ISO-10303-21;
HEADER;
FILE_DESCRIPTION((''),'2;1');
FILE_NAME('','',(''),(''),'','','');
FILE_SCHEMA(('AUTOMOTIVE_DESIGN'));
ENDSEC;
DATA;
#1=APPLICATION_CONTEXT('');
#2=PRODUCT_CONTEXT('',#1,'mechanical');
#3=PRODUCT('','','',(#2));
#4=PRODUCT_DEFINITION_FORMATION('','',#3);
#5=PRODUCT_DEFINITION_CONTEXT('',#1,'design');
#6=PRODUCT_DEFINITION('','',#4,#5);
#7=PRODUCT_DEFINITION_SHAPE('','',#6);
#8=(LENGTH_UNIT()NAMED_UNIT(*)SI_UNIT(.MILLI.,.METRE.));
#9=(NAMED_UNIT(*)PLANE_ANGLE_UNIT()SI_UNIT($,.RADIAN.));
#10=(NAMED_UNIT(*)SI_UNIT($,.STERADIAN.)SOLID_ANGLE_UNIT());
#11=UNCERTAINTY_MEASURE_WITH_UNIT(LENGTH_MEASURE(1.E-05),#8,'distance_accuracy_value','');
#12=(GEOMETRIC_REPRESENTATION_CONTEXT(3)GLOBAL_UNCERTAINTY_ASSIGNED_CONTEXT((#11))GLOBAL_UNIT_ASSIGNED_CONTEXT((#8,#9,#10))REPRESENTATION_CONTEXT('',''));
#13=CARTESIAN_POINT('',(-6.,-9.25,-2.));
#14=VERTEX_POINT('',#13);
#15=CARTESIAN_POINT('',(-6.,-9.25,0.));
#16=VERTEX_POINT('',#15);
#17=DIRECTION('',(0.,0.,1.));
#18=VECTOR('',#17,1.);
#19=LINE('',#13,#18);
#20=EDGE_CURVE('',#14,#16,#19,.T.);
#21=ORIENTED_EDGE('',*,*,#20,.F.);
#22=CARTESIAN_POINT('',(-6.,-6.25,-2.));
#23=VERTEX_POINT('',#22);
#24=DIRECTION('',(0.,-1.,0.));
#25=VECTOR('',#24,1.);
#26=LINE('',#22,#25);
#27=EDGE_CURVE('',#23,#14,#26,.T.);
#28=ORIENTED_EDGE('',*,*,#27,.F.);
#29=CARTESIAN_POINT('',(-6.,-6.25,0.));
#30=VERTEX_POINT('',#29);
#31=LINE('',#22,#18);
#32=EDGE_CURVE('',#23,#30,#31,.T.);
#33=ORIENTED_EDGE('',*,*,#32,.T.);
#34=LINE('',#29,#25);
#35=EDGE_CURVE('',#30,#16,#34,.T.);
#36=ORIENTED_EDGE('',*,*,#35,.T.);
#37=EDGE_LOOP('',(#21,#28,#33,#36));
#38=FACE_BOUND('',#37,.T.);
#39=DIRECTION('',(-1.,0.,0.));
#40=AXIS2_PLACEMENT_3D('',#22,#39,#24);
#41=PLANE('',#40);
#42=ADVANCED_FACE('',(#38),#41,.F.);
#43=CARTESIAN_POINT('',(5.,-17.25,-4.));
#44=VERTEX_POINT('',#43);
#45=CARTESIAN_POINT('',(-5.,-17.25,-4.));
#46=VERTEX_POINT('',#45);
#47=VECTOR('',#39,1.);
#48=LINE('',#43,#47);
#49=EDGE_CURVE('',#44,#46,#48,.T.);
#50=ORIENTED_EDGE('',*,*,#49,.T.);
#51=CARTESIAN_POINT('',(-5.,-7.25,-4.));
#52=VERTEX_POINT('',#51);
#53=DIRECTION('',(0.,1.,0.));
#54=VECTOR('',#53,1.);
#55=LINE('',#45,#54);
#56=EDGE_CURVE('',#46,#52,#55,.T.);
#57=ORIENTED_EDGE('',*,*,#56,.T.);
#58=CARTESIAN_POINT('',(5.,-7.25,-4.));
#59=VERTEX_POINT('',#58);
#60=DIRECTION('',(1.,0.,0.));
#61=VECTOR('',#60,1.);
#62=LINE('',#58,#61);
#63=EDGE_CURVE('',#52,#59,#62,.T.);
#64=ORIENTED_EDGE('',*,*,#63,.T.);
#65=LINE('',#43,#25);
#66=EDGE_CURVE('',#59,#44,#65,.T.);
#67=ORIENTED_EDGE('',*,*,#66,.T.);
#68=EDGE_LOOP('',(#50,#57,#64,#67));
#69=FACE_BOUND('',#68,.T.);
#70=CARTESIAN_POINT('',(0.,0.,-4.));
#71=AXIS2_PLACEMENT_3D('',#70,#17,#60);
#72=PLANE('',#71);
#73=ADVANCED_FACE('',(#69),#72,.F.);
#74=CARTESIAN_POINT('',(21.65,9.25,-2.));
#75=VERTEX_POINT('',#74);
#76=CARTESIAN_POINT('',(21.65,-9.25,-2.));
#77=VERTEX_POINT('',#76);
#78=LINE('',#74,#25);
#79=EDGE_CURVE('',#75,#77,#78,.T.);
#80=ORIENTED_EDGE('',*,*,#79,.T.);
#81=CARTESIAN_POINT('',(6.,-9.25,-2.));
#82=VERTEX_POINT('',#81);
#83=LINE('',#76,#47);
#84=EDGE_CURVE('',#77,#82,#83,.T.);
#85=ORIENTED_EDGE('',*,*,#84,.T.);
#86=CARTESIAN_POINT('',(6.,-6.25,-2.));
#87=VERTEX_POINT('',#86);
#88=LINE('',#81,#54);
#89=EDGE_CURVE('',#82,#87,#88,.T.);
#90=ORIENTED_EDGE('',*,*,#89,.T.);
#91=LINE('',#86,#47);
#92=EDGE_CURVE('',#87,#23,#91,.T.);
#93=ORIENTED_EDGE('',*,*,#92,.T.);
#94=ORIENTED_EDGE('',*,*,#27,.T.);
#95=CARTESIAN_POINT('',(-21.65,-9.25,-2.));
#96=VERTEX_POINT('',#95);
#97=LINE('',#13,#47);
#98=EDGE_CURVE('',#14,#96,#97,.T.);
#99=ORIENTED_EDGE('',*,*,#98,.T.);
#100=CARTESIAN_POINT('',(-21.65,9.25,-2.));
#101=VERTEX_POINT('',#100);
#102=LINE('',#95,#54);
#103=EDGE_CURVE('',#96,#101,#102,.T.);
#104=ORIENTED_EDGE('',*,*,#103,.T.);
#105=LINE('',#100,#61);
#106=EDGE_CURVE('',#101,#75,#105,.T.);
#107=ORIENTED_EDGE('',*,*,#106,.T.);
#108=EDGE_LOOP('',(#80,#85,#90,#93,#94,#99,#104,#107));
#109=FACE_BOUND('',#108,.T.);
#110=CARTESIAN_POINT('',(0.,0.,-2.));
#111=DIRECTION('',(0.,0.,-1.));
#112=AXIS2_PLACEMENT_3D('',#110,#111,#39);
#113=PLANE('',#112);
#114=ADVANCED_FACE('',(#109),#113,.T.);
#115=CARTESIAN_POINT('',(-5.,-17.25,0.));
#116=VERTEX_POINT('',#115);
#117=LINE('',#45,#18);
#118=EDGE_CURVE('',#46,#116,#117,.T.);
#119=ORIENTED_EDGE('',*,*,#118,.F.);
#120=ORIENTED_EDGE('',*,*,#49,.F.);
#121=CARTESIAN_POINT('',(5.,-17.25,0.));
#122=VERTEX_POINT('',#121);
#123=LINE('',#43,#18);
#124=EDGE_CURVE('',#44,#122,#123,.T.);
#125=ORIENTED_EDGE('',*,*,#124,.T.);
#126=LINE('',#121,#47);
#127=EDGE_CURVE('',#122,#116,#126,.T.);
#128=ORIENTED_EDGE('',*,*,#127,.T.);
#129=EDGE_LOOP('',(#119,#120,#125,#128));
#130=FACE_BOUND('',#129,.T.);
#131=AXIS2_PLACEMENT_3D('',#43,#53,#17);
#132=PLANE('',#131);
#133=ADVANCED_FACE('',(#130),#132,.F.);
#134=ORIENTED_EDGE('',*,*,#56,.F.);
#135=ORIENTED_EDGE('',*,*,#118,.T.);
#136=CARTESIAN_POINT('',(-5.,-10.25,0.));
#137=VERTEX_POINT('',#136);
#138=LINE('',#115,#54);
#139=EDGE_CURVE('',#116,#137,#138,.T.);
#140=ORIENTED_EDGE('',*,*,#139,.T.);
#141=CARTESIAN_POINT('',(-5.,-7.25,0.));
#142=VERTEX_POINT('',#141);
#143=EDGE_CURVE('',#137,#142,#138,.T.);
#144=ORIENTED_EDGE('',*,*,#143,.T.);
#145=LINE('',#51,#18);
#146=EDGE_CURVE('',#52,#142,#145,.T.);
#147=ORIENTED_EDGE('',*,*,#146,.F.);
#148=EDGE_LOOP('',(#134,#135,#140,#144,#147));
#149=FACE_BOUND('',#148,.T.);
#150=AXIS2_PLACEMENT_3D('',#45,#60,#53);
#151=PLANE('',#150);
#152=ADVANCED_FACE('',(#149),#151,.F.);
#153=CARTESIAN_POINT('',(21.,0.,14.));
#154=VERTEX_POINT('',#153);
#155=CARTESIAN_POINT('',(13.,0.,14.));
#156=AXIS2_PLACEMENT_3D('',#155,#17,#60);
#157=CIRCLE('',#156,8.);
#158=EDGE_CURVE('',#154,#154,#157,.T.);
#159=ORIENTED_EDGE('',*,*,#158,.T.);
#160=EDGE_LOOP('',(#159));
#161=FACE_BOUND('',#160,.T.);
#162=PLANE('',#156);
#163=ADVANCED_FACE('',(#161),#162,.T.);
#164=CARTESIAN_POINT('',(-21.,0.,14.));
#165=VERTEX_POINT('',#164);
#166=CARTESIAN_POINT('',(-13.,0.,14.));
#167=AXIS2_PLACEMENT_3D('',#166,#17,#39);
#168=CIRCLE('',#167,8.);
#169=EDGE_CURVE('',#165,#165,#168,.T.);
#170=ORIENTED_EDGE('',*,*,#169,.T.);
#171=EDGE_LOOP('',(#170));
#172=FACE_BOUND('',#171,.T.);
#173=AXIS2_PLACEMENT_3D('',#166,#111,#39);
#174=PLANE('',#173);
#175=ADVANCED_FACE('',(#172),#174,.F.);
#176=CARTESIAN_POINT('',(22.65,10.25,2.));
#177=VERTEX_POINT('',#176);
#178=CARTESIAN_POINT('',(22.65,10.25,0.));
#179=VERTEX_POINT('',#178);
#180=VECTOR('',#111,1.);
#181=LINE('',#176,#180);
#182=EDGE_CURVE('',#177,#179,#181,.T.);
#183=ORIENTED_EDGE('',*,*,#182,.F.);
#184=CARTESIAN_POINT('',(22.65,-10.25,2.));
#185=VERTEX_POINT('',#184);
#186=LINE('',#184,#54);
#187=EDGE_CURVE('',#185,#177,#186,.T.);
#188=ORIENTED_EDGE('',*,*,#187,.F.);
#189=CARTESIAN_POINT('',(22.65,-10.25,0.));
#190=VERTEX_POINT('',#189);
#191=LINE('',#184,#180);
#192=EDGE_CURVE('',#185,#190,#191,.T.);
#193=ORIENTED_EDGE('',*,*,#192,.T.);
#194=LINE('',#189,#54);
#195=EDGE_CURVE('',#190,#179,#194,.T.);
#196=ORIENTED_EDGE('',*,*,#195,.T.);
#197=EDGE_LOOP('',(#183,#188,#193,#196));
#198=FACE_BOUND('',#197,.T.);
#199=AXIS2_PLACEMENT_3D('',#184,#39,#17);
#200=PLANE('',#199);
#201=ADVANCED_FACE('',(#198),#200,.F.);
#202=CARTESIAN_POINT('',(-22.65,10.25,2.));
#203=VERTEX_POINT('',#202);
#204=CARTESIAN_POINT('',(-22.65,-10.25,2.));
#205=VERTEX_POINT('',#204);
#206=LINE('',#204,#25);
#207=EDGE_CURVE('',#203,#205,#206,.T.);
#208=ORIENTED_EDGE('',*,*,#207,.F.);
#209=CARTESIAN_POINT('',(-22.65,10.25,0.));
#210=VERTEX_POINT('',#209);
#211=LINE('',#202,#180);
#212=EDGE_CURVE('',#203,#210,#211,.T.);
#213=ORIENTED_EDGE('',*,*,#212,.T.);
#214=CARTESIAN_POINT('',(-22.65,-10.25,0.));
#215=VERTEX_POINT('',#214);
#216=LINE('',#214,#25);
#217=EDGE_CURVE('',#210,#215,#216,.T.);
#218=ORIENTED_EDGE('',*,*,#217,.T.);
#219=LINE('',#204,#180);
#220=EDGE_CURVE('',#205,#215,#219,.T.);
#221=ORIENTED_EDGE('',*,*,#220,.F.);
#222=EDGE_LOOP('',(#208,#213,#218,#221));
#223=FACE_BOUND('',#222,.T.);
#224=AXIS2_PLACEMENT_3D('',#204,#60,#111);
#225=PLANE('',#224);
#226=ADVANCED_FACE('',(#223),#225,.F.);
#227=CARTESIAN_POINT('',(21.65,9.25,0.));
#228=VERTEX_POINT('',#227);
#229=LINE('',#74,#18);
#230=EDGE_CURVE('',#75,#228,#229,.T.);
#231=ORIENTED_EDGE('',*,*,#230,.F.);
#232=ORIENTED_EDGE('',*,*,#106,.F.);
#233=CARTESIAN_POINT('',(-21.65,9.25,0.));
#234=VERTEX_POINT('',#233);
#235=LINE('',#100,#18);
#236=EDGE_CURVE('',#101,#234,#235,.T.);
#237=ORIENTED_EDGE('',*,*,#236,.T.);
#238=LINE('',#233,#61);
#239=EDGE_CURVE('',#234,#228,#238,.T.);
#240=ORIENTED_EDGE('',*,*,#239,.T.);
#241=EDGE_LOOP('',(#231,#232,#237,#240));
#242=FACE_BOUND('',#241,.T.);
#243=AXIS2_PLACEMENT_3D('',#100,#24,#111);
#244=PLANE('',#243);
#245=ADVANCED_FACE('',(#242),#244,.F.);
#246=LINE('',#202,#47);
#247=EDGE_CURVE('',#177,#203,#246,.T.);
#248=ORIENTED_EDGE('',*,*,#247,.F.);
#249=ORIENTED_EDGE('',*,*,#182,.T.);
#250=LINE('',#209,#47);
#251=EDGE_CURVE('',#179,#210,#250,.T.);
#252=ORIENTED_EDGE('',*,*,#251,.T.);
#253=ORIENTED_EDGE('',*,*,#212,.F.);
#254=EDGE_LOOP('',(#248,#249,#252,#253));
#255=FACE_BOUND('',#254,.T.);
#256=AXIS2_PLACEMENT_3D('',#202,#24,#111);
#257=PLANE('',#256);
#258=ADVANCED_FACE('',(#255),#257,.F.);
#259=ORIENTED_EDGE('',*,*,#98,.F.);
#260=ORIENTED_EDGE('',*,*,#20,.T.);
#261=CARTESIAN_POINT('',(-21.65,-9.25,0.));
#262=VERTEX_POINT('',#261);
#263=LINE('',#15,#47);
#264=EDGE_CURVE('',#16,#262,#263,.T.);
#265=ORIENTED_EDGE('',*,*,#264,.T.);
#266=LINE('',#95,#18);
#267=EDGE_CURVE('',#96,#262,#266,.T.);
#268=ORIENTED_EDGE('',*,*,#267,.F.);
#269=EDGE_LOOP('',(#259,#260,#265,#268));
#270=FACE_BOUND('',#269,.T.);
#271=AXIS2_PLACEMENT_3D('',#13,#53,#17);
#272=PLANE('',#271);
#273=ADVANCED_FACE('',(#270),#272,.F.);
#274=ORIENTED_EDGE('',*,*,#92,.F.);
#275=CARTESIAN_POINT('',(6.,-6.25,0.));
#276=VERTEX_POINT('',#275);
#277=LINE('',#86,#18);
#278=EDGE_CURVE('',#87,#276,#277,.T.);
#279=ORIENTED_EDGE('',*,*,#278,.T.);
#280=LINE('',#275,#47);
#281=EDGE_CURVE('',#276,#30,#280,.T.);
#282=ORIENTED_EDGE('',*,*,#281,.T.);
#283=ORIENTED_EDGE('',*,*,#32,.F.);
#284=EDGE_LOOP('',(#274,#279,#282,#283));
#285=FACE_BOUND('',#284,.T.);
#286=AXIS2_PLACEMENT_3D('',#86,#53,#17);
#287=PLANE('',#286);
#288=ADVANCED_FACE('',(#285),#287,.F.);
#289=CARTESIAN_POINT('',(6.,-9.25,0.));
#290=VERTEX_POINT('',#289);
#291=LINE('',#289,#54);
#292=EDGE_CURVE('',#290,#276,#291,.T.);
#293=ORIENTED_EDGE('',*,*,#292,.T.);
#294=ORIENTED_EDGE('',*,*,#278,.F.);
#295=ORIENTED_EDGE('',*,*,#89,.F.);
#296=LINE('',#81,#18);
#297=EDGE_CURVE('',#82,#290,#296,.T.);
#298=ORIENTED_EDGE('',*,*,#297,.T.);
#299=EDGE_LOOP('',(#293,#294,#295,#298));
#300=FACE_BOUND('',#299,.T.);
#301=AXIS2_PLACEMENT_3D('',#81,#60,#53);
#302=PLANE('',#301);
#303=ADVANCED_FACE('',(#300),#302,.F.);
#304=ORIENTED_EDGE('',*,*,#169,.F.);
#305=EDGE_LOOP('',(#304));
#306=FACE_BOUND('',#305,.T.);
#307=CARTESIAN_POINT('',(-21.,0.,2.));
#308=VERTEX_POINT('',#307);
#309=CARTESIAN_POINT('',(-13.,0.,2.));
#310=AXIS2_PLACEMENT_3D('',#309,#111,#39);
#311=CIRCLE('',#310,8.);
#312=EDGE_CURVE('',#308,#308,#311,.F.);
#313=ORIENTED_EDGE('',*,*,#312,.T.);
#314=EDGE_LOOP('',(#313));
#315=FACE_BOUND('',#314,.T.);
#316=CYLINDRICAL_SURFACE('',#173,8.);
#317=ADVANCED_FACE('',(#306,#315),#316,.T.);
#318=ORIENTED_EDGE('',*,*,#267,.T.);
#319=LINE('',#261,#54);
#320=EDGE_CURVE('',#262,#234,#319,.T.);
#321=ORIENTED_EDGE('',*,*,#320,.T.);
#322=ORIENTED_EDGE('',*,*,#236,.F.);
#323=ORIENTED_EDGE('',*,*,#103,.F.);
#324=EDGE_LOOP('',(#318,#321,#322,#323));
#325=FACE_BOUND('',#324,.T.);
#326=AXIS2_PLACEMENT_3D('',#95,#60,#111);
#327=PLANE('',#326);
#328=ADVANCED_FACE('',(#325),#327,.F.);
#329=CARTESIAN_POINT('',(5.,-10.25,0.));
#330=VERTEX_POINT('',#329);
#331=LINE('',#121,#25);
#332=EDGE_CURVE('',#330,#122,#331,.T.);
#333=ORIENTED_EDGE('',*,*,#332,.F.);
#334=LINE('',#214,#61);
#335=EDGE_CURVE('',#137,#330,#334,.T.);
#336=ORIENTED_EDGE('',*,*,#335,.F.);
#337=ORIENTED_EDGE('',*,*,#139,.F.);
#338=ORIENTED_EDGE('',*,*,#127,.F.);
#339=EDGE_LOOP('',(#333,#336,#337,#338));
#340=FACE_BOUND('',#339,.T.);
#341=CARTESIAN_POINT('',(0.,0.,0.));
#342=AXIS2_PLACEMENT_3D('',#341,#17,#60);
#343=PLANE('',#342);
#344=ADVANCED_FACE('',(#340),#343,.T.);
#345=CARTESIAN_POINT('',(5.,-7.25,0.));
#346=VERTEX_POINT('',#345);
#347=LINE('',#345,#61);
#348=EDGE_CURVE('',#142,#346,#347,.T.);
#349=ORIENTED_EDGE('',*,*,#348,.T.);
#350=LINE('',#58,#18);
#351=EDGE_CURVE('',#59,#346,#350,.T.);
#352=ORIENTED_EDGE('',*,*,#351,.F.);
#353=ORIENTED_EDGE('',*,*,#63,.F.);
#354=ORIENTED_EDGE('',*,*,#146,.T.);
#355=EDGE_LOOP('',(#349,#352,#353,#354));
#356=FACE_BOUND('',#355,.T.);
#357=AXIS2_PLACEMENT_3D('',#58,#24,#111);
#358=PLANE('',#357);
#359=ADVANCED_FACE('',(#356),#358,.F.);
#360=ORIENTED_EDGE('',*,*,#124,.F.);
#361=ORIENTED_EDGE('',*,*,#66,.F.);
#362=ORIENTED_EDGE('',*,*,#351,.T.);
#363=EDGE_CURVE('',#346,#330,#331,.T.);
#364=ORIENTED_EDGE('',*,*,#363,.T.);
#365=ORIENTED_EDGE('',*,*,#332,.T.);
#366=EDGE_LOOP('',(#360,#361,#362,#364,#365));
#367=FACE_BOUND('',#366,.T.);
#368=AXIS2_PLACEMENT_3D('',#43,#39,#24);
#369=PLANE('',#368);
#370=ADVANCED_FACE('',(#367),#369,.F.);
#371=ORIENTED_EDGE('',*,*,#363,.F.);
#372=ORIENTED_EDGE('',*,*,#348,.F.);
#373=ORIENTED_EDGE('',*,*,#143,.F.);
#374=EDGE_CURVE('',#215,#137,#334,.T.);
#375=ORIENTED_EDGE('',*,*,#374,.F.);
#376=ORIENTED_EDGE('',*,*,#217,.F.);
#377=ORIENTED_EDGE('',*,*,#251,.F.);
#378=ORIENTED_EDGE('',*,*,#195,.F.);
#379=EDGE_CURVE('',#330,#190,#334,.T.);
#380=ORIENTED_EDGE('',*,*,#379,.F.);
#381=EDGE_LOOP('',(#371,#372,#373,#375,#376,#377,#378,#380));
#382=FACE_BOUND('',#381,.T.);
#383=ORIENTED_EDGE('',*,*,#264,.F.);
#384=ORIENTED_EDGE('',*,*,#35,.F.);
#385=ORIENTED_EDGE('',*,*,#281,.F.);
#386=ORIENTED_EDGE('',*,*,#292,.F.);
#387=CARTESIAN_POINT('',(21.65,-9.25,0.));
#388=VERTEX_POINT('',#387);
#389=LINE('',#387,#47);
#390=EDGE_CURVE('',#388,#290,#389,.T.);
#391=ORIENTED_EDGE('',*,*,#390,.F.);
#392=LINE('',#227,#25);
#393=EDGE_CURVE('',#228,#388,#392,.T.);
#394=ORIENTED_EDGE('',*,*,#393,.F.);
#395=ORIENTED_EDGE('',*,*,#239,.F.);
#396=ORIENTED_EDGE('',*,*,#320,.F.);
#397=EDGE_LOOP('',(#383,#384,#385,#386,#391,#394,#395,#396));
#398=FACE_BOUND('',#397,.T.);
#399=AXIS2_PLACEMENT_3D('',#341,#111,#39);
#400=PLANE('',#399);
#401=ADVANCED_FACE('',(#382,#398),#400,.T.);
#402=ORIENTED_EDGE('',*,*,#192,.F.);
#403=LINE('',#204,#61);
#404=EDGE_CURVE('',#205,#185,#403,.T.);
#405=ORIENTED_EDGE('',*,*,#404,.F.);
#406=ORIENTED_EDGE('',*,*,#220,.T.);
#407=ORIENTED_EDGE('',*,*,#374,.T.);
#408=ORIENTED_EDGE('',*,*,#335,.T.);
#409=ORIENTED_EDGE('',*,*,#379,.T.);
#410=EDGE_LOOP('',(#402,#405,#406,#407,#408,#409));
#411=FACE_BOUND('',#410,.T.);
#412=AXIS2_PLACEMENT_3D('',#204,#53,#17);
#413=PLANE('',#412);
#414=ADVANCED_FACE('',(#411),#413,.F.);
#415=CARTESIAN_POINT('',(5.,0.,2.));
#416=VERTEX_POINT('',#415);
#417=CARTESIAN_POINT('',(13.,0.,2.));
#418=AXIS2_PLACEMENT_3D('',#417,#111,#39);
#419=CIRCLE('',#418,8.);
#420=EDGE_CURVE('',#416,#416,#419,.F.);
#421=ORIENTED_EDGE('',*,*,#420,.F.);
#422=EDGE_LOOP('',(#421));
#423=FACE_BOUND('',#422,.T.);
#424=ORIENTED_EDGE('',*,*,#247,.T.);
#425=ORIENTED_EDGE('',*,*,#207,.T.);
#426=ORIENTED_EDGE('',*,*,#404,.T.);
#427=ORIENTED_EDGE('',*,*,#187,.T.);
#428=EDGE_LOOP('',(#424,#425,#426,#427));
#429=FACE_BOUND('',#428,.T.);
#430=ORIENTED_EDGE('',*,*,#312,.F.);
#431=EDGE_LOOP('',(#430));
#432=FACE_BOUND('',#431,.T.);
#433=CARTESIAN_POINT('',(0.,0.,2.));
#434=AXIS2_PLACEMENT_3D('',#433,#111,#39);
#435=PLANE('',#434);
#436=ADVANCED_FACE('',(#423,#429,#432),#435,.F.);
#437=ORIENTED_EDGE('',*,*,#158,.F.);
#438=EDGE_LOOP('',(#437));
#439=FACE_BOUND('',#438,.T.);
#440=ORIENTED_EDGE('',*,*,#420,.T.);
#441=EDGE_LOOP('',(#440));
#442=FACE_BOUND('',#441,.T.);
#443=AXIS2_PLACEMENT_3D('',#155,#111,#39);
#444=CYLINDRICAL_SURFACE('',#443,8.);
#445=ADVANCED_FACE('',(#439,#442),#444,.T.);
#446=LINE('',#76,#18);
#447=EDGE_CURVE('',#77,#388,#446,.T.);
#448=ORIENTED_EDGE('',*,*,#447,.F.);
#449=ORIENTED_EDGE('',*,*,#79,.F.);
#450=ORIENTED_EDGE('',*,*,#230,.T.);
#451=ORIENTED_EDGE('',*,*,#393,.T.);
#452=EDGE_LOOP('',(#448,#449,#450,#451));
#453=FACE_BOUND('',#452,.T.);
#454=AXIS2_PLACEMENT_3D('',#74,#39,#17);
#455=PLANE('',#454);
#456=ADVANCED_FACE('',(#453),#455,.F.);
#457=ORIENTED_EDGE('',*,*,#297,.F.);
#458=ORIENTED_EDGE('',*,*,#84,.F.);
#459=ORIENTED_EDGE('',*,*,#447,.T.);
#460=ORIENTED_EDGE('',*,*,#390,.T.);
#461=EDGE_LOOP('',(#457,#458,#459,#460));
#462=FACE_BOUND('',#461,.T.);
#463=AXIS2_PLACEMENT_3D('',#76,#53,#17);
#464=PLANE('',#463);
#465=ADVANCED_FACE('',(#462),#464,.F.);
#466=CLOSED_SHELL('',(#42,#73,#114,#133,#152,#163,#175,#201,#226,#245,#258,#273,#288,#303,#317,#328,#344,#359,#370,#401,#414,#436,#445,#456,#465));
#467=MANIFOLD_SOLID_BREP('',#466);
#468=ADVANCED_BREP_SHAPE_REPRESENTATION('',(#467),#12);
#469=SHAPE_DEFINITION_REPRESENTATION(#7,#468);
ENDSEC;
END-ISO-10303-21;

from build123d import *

# Parameters (mm, degrees)
SKETCH1_W           = 45.3
SKETCH1_H           = 20.5
BOSS_EXTRUDE1_DEPTH = 2
SKETCH2_W           = 10
SKETCH2_H           = 10
BOSS_EXTRUDE2_DEPTH = 4
SKETCH3_R           = 8
BOSS_EXTRUDE3_DEPTH = 12
BOSS_EXTRUDE4_DEPTH = 2


with BuildPart() as part:
    # Sketch1 → Boss-Extrude1 (new body)
    with BuildSketch(Plane.XY):
        Rectangle(SKETCH1_W, SKETCH1_H)
    extrude(amount=BOSS_EXTRUDE1_DEPTH)

    # Sketch2 → Boss-Extrude2 (add)
    with BuildSketch(Plane(origin=(0, 0, 0), x_dir=(-1, 0, 0), z_dir=(0, 0, -1))):
        with Locations((0, -12.25)):
            Rectangle(SKETCH2_W, SKETCH2_H)
    extrude(amount=BOSS_EXTRUDE2_DEPTH)

    # Sketch3 → Boss-Extrude3 (add)
    with BuildSketch(Plane.XY.offset(2)):
        with Locations(Location((13, 0, 0), (0, 0, 180))):
            Circle(SKETCH3_R)
        with Locations(Location((-13, 0, 0), (0, 0, 180))):
            Circle(SKETCH3_R)
    extrude(amount=BOSS_EXTRUDE3_DEPTH)

    # Sketch4 → Boss-Extrude4 (add)
    with BuildSketch(Plane(origin=(0, 0, 0), x_dir=(-1, 0, 0), z_dir=(0, 0, -1))):
        Polygon((-6, -9.25), (-6, -6.25), (6, -6.25), (6, -9.25), (21.65, -9.25), (21.65, 9.25), (-21.65, 9.25), (-21.65, -9.25), align=None)
    extrude(amount=BOSS_EXTRUDE4_DEPTH)


solid = part.part
